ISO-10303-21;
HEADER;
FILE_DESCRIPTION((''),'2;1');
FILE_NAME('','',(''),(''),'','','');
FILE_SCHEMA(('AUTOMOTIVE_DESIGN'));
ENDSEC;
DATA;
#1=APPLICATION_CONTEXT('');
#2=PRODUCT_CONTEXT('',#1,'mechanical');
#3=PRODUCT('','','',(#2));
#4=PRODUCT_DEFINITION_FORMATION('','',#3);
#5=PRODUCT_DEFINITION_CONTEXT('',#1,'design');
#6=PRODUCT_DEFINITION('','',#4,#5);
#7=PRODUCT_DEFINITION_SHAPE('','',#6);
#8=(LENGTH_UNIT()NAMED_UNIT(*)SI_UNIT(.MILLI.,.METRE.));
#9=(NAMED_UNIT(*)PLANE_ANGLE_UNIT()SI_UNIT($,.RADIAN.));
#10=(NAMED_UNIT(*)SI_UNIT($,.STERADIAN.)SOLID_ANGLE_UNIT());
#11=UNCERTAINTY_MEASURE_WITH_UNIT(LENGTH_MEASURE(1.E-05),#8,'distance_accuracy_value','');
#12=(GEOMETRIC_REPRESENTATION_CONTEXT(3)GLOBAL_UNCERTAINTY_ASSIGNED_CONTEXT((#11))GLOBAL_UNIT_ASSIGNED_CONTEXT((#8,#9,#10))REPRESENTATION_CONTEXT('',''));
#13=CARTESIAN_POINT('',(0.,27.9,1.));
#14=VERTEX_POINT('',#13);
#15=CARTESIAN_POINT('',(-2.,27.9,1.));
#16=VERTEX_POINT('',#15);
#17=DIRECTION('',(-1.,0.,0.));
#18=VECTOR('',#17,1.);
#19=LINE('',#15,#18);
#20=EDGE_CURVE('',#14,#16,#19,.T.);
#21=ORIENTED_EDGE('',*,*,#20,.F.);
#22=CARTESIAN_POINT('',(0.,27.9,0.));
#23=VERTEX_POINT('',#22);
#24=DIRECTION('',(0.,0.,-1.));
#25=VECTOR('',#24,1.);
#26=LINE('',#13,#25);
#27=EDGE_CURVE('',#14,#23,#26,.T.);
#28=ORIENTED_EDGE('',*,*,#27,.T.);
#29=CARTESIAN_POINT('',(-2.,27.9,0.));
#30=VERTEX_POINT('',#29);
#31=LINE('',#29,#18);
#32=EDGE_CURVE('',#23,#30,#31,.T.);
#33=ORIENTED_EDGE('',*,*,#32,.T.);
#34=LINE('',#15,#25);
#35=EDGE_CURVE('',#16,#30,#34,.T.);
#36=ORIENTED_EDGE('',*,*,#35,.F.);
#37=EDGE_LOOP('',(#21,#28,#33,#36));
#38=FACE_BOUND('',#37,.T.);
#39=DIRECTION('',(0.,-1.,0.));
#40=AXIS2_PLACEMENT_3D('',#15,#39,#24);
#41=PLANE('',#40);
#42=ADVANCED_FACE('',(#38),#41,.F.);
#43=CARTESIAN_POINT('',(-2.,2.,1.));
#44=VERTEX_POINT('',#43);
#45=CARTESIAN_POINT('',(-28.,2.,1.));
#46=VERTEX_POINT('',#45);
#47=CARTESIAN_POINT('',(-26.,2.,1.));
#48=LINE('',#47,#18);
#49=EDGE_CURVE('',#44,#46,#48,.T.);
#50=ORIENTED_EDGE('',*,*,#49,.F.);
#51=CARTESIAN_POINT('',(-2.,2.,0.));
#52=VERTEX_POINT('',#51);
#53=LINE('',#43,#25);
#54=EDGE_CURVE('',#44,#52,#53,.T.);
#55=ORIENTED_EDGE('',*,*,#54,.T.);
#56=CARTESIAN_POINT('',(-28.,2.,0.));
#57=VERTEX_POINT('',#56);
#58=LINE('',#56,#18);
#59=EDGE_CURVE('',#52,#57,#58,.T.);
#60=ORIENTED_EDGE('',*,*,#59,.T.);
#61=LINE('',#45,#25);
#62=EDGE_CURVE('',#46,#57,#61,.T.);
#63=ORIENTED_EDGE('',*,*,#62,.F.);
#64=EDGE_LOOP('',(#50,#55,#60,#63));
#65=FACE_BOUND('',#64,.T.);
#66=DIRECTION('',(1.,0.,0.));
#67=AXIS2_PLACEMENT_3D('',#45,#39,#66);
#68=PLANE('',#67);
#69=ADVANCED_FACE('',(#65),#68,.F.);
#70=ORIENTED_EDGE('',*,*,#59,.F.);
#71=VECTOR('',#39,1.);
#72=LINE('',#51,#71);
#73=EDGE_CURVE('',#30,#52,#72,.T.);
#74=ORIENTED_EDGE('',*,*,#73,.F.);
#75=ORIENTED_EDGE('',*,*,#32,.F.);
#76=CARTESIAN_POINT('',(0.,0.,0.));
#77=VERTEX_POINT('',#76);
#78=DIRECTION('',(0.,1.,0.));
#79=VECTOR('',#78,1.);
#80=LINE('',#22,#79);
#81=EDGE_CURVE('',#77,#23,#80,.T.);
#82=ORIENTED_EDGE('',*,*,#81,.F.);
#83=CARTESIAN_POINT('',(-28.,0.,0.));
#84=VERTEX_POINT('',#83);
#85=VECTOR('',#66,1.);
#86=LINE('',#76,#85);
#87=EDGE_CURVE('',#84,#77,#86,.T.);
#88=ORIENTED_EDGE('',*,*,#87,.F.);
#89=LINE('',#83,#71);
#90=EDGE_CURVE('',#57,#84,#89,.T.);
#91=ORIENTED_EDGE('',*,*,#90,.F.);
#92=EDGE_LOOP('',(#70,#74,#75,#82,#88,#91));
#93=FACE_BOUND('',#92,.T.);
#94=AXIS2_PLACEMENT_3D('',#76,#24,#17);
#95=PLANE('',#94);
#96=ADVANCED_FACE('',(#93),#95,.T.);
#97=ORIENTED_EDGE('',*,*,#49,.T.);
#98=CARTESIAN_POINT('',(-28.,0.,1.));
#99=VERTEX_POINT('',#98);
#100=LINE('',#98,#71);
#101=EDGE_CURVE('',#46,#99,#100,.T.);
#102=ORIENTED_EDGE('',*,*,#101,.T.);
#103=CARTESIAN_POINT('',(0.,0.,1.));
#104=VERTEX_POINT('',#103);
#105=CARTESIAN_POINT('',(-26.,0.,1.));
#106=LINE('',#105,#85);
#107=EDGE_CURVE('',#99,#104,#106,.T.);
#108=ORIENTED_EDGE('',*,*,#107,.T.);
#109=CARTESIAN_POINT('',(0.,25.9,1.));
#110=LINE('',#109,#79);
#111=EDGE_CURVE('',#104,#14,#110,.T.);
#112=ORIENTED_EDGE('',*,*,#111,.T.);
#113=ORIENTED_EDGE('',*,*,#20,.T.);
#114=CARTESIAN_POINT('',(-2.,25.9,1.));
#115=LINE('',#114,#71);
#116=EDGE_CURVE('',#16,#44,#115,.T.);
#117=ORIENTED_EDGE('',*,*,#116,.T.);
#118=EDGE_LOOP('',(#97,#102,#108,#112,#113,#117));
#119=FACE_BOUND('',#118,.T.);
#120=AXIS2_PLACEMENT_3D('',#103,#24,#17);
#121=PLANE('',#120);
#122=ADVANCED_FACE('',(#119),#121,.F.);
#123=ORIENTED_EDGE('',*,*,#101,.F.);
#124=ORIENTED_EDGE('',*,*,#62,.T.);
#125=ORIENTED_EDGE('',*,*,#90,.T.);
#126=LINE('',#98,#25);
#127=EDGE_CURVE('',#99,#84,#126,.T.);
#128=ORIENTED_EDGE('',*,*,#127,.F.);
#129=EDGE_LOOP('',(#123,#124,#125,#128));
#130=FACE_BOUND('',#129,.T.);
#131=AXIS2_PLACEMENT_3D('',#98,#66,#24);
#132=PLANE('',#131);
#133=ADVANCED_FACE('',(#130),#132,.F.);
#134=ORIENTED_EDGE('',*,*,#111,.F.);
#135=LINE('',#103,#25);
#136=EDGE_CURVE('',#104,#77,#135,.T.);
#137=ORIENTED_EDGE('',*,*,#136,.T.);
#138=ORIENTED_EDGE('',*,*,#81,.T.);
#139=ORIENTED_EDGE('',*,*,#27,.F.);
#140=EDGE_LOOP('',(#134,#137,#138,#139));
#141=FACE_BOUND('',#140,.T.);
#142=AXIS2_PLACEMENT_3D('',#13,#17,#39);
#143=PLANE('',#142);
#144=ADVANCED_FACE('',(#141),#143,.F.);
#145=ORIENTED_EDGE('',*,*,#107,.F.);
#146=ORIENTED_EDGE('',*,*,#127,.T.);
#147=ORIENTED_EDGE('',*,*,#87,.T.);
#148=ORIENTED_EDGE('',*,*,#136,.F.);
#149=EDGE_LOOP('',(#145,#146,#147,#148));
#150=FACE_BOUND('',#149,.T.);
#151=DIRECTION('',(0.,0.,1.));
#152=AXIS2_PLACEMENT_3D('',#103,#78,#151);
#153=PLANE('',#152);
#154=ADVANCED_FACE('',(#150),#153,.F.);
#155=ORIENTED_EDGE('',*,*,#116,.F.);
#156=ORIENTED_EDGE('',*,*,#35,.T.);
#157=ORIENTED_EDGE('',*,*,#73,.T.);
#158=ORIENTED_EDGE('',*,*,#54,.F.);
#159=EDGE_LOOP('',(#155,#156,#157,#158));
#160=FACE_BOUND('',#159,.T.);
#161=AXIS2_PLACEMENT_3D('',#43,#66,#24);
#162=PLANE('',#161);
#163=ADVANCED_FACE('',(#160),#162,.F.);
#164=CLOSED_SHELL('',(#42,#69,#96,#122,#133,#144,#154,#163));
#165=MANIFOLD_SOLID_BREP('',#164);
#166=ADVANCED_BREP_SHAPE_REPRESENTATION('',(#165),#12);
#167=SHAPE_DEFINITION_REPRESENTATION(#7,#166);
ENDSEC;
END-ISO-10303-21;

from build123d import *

# Parameters (mm, degrees)
Y_KSEKLIK_EKSTR_ZYON1_DEPTH = 1


with BuildPart() as part:
    # Çizim1 → Yükseklik-Ekstrüzyon1 (new body)
    with BuildSketch(Plane(origin=(0, 0, 0), x_dir=(0, 1, 0), z_dir=(0, 0, 1))):
        Polygon((0, 0), (0, 26), (0, 28), (2, 28), (2, 26), (2, 2), (25.9, 2), (27.9, 2), (27.9, 0), (25.9, 0), align=None)
    extrude(amount=Y_KSEKLIK_EKSTR_ZYON1_DEPTH)


solid = part.part
